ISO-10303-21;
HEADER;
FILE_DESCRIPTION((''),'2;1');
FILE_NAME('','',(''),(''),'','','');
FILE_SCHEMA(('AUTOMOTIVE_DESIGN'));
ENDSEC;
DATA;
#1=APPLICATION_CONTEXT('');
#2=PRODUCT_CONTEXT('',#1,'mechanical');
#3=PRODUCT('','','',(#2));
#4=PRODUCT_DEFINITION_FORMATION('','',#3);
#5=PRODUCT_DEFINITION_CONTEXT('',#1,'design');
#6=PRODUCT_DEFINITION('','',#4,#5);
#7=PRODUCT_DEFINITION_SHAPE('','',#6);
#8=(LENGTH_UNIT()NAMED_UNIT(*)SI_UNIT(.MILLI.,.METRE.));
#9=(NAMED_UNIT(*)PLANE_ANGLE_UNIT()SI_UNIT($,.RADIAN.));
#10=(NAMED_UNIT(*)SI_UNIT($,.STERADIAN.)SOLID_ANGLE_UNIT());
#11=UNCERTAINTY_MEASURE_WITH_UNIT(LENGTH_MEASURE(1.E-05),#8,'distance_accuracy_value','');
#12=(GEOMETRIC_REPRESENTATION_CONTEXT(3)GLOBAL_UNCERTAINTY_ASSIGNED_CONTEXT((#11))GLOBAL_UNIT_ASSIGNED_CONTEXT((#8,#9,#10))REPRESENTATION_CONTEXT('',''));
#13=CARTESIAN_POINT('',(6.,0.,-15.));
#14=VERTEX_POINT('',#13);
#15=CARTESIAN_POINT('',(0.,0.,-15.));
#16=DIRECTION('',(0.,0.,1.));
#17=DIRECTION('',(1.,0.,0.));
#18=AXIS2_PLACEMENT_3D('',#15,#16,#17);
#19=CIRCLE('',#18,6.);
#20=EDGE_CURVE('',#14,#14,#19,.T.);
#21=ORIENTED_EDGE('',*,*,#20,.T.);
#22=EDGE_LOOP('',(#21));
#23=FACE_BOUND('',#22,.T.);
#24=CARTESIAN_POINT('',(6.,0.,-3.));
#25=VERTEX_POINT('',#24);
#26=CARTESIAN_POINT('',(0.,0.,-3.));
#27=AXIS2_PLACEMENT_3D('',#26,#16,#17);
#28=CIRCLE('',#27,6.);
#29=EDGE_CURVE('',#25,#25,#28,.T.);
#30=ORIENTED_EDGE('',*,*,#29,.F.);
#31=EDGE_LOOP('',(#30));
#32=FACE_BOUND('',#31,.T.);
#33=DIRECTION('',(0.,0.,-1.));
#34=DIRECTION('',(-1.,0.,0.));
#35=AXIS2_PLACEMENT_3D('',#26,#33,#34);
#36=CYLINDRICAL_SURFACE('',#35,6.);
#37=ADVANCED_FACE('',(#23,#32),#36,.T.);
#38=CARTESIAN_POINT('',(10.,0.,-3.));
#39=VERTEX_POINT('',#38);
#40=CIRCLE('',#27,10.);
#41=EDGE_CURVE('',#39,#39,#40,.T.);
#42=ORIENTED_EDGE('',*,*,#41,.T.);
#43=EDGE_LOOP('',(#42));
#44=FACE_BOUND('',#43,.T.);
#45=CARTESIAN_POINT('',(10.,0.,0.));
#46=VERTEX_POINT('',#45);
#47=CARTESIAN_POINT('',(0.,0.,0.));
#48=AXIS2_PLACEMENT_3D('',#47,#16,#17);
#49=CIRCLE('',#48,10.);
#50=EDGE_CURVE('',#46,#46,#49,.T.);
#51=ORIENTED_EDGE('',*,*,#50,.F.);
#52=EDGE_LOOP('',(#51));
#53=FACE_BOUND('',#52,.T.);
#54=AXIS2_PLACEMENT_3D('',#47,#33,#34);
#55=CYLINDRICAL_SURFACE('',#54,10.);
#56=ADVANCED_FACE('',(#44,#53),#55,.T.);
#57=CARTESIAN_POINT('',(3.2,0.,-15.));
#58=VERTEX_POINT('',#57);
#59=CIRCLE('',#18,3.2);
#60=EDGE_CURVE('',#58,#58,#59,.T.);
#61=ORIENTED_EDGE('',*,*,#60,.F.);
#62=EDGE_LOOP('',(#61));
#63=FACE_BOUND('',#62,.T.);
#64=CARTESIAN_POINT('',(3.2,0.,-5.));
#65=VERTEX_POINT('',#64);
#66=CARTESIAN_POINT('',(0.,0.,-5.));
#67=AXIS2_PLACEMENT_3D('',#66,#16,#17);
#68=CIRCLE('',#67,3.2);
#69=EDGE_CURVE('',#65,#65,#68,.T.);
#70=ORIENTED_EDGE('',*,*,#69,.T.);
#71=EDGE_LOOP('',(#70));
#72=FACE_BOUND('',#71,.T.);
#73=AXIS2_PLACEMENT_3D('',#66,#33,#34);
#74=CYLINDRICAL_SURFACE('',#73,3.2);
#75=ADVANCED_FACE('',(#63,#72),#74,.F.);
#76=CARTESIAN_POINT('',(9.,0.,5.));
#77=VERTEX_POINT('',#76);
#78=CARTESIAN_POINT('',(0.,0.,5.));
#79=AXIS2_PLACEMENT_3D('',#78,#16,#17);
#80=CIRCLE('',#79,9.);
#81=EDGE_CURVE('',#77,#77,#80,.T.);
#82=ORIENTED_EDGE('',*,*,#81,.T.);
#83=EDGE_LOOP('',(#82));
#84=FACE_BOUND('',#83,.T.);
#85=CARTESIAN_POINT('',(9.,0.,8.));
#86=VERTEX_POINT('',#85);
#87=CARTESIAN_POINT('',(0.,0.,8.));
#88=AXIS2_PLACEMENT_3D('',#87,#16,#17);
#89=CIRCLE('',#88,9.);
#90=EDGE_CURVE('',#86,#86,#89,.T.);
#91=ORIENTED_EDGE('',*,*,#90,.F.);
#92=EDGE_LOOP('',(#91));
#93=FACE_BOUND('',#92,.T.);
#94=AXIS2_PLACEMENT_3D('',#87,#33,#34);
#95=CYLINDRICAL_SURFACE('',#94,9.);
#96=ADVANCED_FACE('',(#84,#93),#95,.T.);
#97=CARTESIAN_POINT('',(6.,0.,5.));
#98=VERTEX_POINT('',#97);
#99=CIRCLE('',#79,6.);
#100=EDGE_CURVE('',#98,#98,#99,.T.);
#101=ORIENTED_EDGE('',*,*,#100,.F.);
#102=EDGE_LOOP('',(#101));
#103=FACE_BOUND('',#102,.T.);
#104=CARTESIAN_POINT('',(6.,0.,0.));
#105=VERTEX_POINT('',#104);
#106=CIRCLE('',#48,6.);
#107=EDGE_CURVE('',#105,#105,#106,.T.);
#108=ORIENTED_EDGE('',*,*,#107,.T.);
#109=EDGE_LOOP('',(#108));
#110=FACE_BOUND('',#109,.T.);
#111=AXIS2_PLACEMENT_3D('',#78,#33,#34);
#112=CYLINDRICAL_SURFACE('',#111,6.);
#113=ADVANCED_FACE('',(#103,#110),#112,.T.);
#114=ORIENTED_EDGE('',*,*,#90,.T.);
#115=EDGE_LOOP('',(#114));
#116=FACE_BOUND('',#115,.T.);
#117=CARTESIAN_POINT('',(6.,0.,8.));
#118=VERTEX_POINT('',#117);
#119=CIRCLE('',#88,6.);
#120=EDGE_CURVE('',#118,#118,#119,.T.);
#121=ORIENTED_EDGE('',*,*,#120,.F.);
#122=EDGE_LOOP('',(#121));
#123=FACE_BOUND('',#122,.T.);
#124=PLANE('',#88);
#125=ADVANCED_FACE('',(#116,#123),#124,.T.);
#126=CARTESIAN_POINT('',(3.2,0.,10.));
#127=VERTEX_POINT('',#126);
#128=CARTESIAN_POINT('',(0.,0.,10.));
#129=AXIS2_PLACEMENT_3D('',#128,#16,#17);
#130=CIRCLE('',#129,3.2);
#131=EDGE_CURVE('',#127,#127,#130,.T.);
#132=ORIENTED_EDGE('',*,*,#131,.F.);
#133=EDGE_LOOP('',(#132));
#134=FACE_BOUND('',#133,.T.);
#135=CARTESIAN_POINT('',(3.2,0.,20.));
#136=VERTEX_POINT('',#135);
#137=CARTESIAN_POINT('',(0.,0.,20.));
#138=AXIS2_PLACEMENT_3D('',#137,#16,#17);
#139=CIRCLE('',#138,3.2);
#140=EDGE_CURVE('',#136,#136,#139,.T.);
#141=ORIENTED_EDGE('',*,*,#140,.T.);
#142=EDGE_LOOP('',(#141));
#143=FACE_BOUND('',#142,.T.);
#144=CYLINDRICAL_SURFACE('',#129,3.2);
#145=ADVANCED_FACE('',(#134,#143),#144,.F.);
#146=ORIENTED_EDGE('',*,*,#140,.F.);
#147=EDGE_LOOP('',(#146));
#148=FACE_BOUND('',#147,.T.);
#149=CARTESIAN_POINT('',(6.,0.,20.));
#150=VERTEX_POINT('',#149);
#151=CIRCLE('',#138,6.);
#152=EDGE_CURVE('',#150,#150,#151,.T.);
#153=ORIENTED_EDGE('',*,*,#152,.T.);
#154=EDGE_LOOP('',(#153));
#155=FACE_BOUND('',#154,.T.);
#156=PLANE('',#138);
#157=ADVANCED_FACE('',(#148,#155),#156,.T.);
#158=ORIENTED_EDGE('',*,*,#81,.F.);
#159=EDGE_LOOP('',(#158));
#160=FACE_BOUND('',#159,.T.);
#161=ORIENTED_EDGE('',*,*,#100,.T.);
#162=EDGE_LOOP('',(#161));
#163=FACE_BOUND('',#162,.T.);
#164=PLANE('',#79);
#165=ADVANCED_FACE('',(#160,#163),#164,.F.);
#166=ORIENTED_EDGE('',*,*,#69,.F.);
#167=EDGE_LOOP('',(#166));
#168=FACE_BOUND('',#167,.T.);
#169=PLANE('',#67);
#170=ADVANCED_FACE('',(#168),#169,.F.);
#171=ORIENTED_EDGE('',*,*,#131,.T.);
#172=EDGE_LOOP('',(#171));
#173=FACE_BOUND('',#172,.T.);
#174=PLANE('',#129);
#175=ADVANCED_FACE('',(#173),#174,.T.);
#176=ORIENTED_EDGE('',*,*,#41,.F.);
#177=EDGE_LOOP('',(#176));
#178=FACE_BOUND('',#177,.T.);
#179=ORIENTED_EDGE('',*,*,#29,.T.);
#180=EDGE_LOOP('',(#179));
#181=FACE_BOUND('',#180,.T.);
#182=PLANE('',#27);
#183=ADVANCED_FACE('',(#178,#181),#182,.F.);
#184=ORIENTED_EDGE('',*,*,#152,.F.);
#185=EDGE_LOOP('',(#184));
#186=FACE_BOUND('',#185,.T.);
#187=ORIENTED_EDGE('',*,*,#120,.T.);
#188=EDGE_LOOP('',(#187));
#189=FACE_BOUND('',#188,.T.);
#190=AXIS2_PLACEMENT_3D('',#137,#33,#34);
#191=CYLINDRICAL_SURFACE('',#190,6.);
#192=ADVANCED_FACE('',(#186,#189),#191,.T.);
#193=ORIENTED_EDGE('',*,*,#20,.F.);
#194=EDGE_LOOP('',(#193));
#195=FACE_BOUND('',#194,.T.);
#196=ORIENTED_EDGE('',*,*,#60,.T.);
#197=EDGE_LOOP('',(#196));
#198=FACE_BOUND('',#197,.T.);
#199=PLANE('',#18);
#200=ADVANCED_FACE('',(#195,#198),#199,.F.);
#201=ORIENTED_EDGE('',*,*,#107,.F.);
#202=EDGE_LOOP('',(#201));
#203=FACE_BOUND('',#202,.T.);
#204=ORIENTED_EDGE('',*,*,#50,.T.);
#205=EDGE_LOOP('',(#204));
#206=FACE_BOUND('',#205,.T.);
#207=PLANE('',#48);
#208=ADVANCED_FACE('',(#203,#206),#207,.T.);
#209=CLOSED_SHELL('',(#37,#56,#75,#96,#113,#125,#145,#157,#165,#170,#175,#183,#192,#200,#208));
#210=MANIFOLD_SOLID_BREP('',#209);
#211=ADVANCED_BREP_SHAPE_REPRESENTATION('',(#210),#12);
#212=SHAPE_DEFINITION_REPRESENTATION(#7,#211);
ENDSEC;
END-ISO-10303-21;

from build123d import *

# Parameters (mm, degrees)
REAR_FLANGE_START    = -3
SKETCH1_R            = 10
REAR_FLANGE_DEPTH    = 3
SKETCH2_R            = 6
THROUGH_BODY_DEPTH   = 5
LOCK_NUT_START       = 5
SKETCH3_R            = 9
LOCK_NUT_DEPTH       = 3
INSIDE_PORT_START    = 8
SKETCH4_R            = 6
INSIDE_PORT_DEPTH    = 12
INSIDE_SOCKET_START  = 20
SKETCH5_R            = 3.2
INSIDE_SOCKET_DEPTH  = 10
OUTSIDE_PORT_START   = -15
SKETCH6_R            = 6
OUTSIDE_PORT_DEPTH   = 12
OUTSIDE_SOCKET_START = -5
SKETCH7_R            = 3.2
OUTSIDE_SOCKET_DEPTH = 10


with BuildPart() as part:
    # Sketch1 → Rear_Flange (new body)
    with BuildSketch(Plane.XY.offset(REAR_FLANGE_START)):
        Circle(SKETCH1_R)
    extrude(amount=REAR_FLANGE_DEPTH)

    # Sketch2 → Through_Body (add)
    with BuildSketch(Plane.XY):
        Circle(SKETCH2_R)
    extrude(amount=THROUGH_BODY_DEPTH)

    # Sketch3 → Lock_Nut (add)
    with BuildSketch(Plane.XY.offset(LOCK_NUT_START)):
        Circle(SKETCH3_R)
    extrude(amount=LOCK_NUT_DEPTH)

    # Sketch4 → Inside_Port (add)
    with BuildSketch(Plane.XY.offset(INSIDE_PORT_START)):
        Circle(SKETCH4_R)
    extrude(amount=INSIDE_PORT_DEPTH)

    # Sketch5 → Inside_Socket (cut)
    with BuildSketch(Plane.XY.offset(INSIDE_SOCKET_START)):
        Circle(SKETCH5_R)
    extrude(amount=-INSIDE_SOCKET_DEPTH, mode=Mode.SUBTRACT)

    # Sketch6 → Outside_Port (add)
    with BuildSketch(Plane.XY.offset(OUTSIDE_PORT_START)):
        Circle(SKETCH6_R)
    extrude(amount=OUTSIDE_PORT_DEPTH)

    # Sketch7 → Outside_Socket (cut)
    with BuildSketch(Plane.XY.offset(OUTSIDE_SOCKET_START)):
        Circle(SKETCH7_R)
    extrude(amount=-OUTSIDE_SOCKET_DEPTH, mode=Mode.SUBTRACT)


solid = part.part
